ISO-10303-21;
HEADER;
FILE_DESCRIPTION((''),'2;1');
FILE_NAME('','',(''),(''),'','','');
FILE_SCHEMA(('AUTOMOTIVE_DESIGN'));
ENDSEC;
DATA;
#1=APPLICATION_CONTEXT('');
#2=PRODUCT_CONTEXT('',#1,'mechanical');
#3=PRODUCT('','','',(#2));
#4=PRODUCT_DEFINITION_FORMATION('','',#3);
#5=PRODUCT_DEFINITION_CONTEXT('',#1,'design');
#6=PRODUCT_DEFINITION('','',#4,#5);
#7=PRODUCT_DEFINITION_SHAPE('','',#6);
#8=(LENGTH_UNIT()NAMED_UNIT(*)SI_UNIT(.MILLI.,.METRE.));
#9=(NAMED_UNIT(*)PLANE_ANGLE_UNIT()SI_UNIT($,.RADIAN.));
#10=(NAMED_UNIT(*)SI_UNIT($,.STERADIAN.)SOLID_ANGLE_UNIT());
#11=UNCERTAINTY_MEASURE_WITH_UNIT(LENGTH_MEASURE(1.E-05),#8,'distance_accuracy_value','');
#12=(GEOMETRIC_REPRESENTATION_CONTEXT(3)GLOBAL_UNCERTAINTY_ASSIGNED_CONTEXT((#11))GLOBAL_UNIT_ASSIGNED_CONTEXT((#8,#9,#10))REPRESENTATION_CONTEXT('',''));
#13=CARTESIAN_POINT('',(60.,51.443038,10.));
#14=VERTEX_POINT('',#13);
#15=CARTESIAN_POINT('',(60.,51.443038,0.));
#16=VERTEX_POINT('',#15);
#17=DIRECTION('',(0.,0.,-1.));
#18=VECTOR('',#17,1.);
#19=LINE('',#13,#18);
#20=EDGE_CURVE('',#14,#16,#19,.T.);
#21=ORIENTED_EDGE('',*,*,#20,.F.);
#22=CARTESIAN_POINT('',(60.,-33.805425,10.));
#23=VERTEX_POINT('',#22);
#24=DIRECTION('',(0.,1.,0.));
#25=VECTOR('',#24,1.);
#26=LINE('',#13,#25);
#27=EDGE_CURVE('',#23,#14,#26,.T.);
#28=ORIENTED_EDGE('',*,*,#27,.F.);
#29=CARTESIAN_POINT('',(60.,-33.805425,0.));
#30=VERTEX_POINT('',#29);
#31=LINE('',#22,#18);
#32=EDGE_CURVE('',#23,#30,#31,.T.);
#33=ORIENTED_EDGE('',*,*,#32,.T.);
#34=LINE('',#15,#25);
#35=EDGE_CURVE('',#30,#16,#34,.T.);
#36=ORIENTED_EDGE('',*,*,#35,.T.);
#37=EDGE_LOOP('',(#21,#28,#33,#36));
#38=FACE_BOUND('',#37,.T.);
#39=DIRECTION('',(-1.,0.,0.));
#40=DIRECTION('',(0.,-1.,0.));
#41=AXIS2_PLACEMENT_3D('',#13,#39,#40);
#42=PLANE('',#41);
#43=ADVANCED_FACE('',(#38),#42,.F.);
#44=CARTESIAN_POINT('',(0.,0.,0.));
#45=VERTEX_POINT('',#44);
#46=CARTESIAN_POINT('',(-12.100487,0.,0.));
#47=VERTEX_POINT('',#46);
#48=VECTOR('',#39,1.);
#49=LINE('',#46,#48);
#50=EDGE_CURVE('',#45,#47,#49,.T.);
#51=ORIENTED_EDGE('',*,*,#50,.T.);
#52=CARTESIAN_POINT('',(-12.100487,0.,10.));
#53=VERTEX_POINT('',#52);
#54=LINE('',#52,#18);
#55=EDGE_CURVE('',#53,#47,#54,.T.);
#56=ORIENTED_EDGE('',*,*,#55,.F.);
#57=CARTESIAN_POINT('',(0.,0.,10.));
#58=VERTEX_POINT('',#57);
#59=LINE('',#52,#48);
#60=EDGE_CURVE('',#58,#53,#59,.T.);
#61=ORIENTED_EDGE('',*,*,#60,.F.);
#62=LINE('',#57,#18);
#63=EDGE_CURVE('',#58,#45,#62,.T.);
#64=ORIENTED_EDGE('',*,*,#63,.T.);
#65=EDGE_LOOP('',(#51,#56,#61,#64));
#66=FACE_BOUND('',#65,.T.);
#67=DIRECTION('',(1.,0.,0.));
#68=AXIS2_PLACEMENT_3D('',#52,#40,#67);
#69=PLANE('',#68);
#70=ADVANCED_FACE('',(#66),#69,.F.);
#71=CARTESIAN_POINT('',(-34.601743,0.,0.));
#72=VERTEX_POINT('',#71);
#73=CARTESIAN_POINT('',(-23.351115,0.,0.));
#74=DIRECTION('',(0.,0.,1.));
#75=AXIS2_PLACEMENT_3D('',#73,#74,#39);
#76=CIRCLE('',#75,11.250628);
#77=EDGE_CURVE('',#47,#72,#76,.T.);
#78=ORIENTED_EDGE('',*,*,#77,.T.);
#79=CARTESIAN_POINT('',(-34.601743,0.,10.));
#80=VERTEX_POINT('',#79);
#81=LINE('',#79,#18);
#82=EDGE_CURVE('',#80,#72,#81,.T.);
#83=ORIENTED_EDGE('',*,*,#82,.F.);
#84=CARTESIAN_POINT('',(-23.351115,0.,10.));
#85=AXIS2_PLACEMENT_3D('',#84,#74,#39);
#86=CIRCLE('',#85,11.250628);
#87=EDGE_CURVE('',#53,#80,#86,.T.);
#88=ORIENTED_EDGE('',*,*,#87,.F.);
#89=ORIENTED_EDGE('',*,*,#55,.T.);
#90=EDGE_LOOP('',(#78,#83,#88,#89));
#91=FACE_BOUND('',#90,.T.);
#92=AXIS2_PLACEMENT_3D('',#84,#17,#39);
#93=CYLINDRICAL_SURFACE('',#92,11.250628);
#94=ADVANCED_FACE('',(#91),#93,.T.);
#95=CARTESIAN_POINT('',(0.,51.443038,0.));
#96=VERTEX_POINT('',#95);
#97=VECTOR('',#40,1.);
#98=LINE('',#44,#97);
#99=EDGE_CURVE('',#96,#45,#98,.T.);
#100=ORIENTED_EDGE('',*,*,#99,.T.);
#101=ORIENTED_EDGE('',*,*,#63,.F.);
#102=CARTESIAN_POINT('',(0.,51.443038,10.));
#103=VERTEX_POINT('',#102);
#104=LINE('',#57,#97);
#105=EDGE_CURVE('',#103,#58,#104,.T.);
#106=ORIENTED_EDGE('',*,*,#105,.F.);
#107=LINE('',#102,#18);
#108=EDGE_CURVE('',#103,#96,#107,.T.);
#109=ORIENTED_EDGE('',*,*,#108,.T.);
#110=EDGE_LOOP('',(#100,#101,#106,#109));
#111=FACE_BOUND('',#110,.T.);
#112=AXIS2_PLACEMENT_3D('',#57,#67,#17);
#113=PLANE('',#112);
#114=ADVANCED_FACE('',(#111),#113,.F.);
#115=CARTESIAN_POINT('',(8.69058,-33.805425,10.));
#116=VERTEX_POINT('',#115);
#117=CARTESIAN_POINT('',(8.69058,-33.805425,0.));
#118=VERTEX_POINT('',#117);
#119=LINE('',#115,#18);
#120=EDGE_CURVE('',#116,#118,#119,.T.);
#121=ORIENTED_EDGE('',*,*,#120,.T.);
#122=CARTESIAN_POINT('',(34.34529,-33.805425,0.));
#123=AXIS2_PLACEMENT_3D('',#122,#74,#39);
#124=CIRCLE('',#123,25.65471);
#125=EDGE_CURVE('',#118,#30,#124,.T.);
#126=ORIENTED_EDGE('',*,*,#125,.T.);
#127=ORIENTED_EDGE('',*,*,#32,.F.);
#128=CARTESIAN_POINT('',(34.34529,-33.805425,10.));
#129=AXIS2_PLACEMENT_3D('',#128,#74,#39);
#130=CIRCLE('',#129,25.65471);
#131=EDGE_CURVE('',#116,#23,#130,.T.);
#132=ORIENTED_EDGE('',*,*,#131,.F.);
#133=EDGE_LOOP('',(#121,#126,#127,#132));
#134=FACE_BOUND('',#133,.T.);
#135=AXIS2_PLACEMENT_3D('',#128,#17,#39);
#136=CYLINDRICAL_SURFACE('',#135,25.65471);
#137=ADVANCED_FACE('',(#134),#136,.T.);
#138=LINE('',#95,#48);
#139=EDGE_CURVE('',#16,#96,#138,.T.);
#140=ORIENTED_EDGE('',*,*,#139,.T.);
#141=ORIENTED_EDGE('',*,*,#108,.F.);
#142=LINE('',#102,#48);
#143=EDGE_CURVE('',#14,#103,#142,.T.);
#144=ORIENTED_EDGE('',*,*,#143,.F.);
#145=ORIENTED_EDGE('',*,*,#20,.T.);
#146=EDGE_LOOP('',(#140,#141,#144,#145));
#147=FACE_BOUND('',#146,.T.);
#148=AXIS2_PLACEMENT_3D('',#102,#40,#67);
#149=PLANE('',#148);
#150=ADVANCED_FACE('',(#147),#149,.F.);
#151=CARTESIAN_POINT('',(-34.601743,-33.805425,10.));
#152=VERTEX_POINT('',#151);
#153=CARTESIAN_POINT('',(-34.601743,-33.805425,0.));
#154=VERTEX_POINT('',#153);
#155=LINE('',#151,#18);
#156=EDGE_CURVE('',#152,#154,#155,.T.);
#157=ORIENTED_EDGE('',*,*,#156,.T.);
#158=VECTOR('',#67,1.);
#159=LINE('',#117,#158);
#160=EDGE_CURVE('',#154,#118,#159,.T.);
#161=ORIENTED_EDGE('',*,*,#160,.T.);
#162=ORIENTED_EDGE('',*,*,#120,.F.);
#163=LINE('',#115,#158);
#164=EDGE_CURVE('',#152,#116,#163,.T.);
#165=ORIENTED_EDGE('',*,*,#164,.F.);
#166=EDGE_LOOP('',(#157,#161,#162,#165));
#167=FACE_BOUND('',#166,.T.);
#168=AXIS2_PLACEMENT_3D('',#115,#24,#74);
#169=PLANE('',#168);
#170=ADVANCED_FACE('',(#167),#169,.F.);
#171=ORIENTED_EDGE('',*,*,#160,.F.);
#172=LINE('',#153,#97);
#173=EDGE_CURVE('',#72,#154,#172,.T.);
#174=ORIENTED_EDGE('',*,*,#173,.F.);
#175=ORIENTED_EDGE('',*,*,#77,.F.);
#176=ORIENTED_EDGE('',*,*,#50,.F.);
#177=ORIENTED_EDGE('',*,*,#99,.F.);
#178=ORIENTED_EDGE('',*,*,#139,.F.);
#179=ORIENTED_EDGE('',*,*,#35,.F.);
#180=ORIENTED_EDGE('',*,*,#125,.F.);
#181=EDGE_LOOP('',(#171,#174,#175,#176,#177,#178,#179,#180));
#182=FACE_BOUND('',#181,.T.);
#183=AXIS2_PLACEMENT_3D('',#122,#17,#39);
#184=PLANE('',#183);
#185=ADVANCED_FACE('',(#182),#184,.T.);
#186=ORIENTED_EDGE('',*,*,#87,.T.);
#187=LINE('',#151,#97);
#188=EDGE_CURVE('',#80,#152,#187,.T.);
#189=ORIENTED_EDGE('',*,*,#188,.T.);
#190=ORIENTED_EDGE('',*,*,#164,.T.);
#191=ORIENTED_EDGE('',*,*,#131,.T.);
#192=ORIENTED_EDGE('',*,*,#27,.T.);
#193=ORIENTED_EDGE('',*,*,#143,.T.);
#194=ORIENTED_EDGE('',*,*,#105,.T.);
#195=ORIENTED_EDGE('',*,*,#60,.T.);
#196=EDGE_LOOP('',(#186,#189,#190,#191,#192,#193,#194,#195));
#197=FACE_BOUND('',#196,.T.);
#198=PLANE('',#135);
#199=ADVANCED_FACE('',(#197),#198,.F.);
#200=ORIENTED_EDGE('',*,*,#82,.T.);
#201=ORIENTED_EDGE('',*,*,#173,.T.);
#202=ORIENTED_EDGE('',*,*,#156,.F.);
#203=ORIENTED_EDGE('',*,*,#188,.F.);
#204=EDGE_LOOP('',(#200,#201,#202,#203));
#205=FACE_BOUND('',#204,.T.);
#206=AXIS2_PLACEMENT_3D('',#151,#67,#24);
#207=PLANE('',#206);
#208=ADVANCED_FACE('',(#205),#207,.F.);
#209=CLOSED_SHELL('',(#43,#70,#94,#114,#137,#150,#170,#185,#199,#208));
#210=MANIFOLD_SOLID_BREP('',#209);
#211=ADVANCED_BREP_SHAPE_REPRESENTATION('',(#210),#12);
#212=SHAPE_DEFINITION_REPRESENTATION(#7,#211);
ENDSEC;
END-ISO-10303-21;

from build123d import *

# Parameters (mm, degrees)
BOSS_EXTRUDE1_DEPTH = 10


with BuildPart() as part:
    # part1 → Boss-Extrude1 (new body)
    with BuildSketch(Plane.XY):
        with BuildLine():
            Line((0, 0), (0, 51.443037975))
            Line((0, 51.443037975), (60, 51.443037975))
            Line((60, 51.443037975), (60, -33.805424955))
            ThreePointArc((60, -33.805424955), (34.345290153, -59.460134802), (8.690580306, -33.805424955))
            Line((8.690580306, -33.805424955), (-34.601742561, -33.805424955))
            Line((-34.601742561, -33.805424955), (-34.601742561, 0))
            ThreePointArc((-34.601742561, 0), (-23.351114961, 11.2506276), (-12.100487361, 0))
            Line((-12.100487361, 0), (0, 0))
        make_face()
    extrude(amount=BOSS_EXTRUDE1_DEPTH)


solid = part.part
